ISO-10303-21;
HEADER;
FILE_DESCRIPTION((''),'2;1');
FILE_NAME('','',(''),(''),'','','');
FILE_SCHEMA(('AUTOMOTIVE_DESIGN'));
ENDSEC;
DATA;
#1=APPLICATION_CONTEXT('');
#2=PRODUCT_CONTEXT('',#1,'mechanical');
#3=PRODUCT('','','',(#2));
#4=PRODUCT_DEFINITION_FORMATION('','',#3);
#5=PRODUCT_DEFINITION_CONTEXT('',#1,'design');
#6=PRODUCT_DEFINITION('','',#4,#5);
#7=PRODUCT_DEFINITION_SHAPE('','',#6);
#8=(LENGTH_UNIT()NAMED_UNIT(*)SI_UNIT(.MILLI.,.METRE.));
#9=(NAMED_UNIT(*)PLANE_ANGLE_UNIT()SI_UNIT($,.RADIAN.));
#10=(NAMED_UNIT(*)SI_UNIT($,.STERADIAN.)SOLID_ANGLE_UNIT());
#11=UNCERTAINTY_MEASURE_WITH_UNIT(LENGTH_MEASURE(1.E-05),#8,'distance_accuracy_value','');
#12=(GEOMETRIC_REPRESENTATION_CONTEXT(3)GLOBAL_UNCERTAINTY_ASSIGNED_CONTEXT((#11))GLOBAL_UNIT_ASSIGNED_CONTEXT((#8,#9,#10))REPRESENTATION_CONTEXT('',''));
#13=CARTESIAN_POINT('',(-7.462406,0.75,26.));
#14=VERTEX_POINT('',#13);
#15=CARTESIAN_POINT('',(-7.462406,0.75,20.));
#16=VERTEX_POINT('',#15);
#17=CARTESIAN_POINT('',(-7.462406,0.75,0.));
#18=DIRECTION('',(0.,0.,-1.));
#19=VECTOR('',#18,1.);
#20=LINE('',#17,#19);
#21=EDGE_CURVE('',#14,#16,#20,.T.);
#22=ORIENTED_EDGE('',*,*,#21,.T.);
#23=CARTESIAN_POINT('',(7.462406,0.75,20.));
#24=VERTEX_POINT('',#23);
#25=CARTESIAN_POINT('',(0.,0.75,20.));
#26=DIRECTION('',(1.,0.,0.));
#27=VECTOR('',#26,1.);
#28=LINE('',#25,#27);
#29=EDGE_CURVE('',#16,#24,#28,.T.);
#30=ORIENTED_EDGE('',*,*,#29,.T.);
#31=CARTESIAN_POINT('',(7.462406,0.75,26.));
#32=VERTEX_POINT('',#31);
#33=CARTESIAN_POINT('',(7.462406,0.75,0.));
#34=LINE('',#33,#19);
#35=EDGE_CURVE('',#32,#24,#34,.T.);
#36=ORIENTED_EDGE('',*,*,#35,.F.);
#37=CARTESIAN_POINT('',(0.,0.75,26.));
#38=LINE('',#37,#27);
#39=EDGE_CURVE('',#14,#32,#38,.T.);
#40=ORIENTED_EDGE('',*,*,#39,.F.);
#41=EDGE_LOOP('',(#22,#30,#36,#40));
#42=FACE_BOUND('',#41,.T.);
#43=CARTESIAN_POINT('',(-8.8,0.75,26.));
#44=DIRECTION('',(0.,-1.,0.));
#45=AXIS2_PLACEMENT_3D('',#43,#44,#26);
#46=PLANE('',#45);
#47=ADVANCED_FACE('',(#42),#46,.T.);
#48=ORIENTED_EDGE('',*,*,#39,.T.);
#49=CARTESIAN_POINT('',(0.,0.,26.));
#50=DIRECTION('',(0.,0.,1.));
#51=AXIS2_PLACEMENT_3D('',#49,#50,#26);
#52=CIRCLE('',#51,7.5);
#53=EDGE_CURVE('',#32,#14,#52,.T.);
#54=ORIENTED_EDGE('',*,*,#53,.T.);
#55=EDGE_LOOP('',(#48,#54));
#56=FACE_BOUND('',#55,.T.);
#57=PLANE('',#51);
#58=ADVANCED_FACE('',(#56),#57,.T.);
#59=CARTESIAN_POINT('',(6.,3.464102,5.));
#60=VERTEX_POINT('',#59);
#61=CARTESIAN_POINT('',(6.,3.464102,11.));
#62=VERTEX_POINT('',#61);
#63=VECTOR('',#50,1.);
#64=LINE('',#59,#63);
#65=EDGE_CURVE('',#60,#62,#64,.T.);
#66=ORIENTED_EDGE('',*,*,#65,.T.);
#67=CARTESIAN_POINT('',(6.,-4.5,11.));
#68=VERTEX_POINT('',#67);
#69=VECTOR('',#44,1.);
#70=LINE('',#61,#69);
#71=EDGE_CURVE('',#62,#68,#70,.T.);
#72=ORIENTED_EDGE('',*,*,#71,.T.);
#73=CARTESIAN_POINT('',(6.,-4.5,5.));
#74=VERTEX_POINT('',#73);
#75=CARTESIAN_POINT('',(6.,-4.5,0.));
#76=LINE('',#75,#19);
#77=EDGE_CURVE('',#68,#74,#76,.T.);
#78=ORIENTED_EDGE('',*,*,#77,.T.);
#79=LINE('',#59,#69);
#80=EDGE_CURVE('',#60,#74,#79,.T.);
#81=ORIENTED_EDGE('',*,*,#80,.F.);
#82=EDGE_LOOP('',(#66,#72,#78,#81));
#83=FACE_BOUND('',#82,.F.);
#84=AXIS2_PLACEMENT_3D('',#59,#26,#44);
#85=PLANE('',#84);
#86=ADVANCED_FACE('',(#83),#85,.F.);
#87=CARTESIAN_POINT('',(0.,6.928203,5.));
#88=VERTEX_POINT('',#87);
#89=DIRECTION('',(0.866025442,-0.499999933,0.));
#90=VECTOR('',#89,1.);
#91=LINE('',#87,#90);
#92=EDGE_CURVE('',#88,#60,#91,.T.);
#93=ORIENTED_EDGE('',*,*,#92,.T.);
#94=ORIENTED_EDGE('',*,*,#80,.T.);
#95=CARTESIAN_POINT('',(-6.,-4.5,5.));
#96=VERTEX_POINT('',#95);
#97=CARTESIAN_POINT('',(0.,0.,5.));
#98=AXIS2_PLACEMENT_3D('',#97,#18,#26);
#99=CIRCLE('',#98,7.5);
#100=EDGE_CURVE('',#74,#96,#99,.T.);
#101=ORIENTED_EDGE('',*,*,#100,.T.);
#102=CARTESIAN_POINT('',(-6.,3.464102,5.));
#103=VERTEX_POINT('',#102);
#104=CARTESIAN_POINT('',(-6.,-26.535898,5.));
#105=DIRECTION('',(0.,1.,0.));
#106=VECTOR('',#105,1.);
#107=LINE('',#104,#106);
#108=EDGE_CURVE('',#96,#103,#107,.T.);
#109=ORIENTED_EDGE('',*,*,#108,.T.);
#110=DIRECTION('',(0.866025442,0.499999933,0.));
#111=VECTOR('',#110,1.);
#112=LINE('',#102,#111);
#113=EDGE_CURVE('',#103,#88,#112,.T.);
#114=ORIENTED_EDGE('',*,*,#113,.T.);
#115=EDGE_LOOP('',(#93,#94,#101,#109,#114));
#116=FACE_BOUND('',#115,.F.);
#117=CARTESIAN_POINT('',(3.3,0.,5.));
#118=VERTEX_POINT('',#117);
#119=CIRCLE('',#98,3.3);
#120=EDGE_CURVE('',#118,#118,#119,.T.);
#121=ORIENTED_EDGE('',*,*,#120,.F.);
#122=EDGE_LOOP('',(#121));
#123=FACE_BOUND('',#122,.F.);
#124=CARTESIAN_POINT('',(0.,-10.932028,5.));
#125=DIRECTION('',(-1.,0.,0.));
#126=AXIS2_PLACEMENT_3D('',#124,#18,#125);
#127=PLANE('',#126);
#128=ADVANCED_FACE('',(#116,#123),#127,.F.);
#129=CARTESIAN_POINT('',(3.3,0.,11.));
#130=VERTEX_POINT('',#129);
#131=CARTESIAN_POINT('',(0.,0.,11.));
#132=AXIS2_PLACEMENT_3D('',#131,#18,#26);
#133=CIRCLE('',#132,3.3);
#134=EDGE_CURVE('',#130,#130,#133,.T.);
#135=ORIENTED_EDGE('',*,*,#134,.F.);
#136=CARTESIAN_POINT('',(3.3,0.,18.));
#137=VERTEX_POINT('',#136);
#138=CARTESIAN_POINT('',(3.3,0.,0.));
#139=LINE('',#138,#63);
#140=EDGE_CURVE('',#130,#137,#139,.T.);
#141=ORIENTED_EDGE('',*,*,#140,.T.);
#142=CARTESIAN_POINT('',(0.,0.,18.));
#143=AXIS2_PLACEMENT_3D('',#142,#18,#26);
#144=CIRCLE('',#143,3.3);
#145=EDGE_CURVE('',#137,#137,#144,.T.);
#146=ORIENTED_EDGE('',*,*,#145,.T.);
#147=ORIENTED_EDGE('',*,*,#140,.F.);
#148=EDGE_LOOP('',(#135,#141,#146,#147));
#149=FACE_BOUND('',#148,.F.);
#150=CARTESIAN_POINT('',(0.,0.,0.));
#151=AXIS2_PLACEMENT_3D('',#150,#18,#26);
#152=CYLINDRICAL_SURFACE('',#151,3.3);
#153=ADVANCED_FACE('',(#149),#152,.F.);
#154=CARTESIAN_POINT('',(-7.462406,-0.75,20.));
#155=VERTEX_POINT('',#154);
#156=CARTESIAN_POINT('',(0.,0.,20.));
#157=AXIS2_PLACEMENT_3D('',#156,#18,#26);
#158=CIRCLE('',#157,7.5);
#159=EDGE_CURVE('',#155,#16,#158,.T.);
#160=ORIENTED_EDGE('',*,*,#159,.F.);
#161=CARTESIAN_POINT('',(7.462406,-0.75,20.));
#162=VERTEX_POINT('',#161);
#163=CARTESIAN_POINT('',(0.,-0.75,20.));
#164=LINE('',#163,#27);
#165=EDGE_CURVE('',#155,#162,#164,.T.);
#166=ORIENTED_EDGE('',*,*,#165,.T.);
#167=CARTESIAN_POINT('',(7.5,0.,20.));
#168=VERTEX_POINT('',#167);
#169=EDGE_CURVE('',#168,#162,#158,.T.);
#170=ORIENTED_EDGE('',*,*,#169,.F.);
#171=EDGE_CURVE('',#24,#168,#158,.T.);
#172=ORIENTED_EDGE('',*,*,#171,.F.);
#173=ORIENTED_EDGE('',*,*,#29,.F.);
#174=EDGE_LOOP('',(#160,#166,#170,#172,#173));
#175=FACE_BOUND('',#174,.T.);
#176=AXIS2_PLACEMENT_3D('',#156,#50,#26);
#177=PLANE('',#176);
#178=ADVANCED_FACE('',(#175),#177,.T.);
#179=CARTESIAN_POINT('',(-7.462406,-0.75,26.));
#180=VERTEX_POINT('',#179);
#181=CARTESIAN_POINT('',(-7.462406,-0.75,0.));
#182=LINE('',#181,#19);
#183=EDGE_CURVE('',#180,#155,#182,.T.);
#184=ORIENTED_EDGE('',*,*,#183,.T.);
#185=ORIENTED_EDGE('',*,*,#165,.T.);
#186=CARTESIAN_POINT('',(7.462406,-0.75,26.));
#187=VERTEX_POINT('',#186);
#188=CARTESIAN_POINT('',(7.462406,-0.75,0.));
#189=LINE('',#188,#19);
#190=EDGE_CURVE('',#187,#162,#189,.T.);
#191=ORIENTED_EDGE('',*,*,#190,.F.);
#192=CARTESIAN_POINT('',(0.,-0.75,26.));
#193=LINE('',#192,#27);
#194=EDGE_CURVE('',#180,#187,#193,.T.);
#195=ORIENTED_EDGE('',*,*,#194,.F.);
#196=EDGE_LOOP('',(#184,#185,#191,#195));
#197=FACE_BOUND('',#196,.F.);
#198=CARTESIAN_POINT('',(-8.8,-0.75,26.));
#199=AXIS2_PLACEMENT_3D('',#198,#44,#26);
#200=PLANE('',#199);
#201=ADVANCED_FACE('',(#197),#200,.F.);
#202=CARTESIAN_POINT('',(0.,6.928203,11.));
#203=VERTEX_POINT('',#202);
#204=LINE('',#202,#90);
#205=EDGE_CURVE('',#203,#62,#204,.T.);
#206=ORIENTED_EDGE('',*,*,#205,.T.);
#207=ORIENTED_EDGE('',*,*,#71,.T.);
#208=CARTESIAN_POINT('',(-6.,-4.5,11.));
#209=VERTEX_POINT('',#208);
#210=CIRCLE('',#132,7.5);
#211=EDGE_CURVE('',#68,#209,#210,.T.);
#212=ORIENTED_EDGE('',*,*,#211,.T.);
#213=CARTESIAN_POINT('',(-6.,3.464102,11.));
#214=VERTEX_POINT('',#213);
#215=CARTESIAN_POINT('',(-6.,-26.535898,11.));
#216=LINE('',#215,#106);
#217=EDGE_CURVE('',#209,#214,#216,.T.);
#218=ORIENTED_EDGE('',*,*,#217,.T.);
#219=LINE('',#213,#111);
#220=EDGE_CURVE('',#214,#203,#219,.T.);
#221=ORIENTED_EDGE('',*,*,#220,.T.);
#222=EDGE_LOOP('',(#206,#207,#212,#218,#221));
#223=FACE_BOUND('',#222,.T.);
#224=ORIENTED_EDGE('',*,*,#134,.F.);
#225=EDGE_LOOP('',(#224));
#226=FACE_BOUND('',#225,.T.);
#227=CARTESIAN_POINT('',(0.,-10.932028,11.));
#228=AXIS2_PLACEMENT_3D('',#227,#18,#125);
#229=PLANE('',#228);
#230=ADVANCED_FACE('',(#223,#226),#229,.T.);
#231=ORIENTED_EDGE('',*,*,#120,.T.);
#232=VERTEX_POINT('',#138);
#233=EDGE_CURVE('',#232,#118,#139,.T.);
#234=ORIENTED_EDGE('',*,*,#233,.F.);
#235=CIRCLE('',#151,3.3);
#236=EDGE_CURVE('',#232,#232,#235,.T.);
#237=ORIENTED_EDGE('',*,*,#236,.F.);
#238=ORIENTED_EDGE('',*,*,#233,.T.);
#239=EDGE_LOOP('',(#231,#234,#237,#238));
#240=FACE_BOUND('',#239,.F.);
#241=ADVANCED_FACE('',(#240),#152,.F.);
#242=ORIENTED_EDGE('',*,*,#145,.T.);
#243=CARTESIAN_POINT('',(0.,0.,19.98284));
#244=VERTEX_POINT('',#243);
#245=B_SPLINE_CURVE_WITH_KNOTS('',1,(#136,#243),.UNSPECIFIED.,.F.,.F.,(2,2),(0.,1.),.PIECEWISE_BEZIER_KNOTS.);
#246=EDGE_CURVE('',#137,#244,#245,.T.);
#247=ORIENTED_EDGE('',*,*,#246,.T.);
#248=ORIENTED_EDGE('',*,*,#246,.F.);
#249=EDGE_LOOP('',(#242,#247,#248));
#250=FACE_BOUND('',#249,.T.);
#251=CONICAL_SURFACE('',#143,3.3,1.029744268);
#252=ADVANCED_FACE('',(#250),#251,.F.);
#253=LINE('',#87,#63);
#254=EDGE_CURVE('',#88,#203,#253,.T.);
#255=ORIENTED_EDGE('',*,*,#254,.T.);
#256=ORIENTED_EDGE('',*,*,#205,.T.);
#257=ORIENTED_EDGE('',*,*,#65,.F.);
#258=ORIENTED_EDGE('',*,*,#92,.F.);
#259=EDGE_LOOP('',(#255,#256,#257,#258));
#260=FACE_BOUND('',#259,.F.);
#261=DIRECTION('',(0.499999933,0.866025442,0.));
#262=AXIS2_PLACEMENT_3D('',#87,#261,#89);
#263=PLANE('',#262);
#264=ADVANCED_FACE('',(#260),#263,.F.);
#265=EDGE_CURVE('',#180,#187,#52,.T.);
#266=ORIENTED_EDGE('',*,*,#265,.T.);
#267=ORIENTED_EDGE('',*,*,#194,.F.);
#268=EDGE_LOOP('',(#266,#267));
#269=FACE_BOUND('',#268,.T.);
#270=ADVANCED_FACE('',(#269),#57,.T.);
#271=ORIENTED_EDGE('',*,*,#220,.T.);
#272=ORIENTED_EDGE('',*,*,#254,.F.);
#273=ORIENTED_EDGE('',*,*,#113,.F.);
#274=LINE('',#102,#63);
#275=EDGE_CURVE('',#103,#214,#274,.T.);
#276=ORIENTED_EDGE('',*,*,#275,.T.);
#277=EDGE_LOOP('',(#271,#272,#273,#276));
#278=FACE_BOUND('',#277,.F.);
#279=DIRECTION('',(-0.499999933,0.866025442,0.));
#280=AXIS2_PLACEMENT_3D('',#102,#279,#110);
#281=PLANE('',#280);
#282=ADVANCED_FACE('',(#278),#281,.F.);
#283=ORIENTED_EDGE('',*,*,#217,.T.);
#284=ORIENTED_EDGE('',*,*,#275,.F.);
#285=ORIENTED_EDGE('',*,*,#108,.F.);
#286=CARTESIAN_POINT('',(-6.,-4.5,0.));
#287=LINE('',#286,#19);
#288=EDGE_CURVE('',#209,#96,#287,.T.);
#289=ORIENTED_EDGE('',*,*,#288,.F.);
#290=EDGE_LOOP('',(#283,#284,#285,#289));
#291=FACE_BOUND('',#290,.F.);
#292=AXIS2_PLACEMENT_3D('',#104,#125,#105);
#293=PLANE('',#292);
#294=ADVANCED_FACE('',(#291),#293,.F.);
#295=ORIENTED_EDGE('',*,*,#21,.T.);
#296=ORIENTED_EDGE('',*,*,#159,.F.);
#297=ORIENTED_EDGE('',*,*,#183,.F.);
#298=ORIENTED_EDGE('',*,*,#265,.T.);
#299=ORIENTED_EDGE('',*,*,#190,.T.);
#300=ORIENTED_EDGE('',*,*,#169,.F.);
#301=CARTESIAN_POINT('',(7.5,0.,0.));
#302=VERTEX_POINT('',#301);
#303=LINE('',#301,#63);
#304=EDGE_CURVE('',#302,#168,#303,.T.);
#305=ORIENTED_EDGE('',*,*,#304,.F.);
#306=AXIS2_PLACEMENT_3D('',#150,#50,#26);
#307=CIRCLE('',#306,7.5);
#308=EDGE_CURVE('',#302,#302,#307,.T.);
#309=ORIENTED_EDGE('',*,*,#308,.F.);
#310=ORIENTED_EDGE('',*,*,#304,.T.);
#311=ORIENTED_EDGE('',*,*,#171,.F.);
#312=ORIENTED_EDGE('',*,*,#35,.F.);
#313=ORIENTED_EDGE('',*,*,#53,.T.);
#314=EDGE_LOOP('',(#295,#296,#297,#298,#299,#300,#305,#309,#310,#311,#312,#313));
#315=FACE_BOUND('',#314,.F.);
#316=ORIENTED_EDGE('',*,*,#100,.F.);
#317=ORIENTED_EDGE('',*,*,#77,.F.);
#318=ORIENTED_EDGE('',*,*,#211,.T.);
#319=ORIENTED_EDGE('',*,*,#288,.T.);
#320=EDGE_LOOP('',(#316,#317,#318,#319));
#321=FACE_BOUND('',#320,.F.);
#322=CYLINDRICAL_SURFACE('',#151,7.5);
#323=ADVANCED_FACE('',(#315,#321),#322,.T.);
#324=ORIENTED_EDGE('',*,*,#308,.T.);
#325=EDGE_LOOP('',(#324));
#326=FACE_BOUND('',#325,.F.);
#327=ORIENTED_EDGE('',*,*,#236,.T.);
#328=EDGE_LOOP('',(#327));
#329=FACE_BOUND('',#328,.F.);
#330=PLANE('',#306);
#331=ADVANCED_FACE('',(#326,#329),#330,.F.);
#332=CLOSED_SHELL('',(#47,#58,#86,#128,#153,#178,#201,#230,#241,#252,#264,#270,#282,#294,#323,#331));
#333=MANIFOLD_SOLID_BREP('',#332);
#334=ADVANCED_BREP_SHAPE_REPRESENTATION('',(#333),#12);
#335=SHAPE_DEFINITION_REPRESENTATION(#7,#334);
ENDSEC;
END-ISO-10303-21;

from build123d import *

# Parameters (mm, degrees)
PAD001_DEPTH = 6
SKETCH_R     = 7.5
PAD_DEPTH    = 26
SKETCH003_W  = 17.6
SKETCH003_H  = 1.5
POCKET_DEPTH = 6
SKETCH004_R  = 3.3
HOLE_DEPTH   = 18
HOLE_TIPS_R  = 3.3


with BuildPart() as body001:
    # Sketch002 → Pad001 (new body)
    with BuildSketch(Plane.XY.offset(5)):
        Polygon((6, 3.464102), (6, -26.535898), (-6, -26.535898), (-6, 3.464102), (0, 6.928203), align=None)
    extrude(amount=PAD001_DEPTH)


with BuildPart() as body:
    # Sketch → Pad (new body)
    with BuildSketch(Plane.XY):
        Circle(SKETCH_R)
    extrude(amount=PAD_DEPTH)

    # Boolean: cut Body001
    add(body001.part, mode=Mode.SUBTRACT)

    # Sketch003 (on Face3 of Boolean) → Pocket (cut)
    with BuildSketch(Plane.XY.offset(26)):
        Rectangle(SKETCH003_W, SKETCH003_H)
    extrude(amount=-POCKET_DEPTH, mode=Mode.SUBTRACT)

    # Sketch004 (on Face7 of Pocket) → Hole (cut)
    with BuildSketch(Plane(origin=(0, 0, 0), x_dir=(1, 0, 0), z_dir=(0, 0, -1))):
        Circle(SKETCH004_R)
    extrude(amount=-HOLE_DEPTH, mode=Mode.SUBTRACT)

    # Hole tips → Hole tip 1 section 0
    with BuildSketch(Plane(origin=(0, 0, 18), x_dir=(1, 0, 0), z_dir=(0, 0, -1)), mode=Mode.PRIVATE) as hole_tip_1_s0:
        Circle(HOLE_TIPS_R)
    loft([hole_tip_1_s0.sketch, Vertex(0, 0, 19.98284)], mode=Mode.SUBTRACT)


solid = body.part
